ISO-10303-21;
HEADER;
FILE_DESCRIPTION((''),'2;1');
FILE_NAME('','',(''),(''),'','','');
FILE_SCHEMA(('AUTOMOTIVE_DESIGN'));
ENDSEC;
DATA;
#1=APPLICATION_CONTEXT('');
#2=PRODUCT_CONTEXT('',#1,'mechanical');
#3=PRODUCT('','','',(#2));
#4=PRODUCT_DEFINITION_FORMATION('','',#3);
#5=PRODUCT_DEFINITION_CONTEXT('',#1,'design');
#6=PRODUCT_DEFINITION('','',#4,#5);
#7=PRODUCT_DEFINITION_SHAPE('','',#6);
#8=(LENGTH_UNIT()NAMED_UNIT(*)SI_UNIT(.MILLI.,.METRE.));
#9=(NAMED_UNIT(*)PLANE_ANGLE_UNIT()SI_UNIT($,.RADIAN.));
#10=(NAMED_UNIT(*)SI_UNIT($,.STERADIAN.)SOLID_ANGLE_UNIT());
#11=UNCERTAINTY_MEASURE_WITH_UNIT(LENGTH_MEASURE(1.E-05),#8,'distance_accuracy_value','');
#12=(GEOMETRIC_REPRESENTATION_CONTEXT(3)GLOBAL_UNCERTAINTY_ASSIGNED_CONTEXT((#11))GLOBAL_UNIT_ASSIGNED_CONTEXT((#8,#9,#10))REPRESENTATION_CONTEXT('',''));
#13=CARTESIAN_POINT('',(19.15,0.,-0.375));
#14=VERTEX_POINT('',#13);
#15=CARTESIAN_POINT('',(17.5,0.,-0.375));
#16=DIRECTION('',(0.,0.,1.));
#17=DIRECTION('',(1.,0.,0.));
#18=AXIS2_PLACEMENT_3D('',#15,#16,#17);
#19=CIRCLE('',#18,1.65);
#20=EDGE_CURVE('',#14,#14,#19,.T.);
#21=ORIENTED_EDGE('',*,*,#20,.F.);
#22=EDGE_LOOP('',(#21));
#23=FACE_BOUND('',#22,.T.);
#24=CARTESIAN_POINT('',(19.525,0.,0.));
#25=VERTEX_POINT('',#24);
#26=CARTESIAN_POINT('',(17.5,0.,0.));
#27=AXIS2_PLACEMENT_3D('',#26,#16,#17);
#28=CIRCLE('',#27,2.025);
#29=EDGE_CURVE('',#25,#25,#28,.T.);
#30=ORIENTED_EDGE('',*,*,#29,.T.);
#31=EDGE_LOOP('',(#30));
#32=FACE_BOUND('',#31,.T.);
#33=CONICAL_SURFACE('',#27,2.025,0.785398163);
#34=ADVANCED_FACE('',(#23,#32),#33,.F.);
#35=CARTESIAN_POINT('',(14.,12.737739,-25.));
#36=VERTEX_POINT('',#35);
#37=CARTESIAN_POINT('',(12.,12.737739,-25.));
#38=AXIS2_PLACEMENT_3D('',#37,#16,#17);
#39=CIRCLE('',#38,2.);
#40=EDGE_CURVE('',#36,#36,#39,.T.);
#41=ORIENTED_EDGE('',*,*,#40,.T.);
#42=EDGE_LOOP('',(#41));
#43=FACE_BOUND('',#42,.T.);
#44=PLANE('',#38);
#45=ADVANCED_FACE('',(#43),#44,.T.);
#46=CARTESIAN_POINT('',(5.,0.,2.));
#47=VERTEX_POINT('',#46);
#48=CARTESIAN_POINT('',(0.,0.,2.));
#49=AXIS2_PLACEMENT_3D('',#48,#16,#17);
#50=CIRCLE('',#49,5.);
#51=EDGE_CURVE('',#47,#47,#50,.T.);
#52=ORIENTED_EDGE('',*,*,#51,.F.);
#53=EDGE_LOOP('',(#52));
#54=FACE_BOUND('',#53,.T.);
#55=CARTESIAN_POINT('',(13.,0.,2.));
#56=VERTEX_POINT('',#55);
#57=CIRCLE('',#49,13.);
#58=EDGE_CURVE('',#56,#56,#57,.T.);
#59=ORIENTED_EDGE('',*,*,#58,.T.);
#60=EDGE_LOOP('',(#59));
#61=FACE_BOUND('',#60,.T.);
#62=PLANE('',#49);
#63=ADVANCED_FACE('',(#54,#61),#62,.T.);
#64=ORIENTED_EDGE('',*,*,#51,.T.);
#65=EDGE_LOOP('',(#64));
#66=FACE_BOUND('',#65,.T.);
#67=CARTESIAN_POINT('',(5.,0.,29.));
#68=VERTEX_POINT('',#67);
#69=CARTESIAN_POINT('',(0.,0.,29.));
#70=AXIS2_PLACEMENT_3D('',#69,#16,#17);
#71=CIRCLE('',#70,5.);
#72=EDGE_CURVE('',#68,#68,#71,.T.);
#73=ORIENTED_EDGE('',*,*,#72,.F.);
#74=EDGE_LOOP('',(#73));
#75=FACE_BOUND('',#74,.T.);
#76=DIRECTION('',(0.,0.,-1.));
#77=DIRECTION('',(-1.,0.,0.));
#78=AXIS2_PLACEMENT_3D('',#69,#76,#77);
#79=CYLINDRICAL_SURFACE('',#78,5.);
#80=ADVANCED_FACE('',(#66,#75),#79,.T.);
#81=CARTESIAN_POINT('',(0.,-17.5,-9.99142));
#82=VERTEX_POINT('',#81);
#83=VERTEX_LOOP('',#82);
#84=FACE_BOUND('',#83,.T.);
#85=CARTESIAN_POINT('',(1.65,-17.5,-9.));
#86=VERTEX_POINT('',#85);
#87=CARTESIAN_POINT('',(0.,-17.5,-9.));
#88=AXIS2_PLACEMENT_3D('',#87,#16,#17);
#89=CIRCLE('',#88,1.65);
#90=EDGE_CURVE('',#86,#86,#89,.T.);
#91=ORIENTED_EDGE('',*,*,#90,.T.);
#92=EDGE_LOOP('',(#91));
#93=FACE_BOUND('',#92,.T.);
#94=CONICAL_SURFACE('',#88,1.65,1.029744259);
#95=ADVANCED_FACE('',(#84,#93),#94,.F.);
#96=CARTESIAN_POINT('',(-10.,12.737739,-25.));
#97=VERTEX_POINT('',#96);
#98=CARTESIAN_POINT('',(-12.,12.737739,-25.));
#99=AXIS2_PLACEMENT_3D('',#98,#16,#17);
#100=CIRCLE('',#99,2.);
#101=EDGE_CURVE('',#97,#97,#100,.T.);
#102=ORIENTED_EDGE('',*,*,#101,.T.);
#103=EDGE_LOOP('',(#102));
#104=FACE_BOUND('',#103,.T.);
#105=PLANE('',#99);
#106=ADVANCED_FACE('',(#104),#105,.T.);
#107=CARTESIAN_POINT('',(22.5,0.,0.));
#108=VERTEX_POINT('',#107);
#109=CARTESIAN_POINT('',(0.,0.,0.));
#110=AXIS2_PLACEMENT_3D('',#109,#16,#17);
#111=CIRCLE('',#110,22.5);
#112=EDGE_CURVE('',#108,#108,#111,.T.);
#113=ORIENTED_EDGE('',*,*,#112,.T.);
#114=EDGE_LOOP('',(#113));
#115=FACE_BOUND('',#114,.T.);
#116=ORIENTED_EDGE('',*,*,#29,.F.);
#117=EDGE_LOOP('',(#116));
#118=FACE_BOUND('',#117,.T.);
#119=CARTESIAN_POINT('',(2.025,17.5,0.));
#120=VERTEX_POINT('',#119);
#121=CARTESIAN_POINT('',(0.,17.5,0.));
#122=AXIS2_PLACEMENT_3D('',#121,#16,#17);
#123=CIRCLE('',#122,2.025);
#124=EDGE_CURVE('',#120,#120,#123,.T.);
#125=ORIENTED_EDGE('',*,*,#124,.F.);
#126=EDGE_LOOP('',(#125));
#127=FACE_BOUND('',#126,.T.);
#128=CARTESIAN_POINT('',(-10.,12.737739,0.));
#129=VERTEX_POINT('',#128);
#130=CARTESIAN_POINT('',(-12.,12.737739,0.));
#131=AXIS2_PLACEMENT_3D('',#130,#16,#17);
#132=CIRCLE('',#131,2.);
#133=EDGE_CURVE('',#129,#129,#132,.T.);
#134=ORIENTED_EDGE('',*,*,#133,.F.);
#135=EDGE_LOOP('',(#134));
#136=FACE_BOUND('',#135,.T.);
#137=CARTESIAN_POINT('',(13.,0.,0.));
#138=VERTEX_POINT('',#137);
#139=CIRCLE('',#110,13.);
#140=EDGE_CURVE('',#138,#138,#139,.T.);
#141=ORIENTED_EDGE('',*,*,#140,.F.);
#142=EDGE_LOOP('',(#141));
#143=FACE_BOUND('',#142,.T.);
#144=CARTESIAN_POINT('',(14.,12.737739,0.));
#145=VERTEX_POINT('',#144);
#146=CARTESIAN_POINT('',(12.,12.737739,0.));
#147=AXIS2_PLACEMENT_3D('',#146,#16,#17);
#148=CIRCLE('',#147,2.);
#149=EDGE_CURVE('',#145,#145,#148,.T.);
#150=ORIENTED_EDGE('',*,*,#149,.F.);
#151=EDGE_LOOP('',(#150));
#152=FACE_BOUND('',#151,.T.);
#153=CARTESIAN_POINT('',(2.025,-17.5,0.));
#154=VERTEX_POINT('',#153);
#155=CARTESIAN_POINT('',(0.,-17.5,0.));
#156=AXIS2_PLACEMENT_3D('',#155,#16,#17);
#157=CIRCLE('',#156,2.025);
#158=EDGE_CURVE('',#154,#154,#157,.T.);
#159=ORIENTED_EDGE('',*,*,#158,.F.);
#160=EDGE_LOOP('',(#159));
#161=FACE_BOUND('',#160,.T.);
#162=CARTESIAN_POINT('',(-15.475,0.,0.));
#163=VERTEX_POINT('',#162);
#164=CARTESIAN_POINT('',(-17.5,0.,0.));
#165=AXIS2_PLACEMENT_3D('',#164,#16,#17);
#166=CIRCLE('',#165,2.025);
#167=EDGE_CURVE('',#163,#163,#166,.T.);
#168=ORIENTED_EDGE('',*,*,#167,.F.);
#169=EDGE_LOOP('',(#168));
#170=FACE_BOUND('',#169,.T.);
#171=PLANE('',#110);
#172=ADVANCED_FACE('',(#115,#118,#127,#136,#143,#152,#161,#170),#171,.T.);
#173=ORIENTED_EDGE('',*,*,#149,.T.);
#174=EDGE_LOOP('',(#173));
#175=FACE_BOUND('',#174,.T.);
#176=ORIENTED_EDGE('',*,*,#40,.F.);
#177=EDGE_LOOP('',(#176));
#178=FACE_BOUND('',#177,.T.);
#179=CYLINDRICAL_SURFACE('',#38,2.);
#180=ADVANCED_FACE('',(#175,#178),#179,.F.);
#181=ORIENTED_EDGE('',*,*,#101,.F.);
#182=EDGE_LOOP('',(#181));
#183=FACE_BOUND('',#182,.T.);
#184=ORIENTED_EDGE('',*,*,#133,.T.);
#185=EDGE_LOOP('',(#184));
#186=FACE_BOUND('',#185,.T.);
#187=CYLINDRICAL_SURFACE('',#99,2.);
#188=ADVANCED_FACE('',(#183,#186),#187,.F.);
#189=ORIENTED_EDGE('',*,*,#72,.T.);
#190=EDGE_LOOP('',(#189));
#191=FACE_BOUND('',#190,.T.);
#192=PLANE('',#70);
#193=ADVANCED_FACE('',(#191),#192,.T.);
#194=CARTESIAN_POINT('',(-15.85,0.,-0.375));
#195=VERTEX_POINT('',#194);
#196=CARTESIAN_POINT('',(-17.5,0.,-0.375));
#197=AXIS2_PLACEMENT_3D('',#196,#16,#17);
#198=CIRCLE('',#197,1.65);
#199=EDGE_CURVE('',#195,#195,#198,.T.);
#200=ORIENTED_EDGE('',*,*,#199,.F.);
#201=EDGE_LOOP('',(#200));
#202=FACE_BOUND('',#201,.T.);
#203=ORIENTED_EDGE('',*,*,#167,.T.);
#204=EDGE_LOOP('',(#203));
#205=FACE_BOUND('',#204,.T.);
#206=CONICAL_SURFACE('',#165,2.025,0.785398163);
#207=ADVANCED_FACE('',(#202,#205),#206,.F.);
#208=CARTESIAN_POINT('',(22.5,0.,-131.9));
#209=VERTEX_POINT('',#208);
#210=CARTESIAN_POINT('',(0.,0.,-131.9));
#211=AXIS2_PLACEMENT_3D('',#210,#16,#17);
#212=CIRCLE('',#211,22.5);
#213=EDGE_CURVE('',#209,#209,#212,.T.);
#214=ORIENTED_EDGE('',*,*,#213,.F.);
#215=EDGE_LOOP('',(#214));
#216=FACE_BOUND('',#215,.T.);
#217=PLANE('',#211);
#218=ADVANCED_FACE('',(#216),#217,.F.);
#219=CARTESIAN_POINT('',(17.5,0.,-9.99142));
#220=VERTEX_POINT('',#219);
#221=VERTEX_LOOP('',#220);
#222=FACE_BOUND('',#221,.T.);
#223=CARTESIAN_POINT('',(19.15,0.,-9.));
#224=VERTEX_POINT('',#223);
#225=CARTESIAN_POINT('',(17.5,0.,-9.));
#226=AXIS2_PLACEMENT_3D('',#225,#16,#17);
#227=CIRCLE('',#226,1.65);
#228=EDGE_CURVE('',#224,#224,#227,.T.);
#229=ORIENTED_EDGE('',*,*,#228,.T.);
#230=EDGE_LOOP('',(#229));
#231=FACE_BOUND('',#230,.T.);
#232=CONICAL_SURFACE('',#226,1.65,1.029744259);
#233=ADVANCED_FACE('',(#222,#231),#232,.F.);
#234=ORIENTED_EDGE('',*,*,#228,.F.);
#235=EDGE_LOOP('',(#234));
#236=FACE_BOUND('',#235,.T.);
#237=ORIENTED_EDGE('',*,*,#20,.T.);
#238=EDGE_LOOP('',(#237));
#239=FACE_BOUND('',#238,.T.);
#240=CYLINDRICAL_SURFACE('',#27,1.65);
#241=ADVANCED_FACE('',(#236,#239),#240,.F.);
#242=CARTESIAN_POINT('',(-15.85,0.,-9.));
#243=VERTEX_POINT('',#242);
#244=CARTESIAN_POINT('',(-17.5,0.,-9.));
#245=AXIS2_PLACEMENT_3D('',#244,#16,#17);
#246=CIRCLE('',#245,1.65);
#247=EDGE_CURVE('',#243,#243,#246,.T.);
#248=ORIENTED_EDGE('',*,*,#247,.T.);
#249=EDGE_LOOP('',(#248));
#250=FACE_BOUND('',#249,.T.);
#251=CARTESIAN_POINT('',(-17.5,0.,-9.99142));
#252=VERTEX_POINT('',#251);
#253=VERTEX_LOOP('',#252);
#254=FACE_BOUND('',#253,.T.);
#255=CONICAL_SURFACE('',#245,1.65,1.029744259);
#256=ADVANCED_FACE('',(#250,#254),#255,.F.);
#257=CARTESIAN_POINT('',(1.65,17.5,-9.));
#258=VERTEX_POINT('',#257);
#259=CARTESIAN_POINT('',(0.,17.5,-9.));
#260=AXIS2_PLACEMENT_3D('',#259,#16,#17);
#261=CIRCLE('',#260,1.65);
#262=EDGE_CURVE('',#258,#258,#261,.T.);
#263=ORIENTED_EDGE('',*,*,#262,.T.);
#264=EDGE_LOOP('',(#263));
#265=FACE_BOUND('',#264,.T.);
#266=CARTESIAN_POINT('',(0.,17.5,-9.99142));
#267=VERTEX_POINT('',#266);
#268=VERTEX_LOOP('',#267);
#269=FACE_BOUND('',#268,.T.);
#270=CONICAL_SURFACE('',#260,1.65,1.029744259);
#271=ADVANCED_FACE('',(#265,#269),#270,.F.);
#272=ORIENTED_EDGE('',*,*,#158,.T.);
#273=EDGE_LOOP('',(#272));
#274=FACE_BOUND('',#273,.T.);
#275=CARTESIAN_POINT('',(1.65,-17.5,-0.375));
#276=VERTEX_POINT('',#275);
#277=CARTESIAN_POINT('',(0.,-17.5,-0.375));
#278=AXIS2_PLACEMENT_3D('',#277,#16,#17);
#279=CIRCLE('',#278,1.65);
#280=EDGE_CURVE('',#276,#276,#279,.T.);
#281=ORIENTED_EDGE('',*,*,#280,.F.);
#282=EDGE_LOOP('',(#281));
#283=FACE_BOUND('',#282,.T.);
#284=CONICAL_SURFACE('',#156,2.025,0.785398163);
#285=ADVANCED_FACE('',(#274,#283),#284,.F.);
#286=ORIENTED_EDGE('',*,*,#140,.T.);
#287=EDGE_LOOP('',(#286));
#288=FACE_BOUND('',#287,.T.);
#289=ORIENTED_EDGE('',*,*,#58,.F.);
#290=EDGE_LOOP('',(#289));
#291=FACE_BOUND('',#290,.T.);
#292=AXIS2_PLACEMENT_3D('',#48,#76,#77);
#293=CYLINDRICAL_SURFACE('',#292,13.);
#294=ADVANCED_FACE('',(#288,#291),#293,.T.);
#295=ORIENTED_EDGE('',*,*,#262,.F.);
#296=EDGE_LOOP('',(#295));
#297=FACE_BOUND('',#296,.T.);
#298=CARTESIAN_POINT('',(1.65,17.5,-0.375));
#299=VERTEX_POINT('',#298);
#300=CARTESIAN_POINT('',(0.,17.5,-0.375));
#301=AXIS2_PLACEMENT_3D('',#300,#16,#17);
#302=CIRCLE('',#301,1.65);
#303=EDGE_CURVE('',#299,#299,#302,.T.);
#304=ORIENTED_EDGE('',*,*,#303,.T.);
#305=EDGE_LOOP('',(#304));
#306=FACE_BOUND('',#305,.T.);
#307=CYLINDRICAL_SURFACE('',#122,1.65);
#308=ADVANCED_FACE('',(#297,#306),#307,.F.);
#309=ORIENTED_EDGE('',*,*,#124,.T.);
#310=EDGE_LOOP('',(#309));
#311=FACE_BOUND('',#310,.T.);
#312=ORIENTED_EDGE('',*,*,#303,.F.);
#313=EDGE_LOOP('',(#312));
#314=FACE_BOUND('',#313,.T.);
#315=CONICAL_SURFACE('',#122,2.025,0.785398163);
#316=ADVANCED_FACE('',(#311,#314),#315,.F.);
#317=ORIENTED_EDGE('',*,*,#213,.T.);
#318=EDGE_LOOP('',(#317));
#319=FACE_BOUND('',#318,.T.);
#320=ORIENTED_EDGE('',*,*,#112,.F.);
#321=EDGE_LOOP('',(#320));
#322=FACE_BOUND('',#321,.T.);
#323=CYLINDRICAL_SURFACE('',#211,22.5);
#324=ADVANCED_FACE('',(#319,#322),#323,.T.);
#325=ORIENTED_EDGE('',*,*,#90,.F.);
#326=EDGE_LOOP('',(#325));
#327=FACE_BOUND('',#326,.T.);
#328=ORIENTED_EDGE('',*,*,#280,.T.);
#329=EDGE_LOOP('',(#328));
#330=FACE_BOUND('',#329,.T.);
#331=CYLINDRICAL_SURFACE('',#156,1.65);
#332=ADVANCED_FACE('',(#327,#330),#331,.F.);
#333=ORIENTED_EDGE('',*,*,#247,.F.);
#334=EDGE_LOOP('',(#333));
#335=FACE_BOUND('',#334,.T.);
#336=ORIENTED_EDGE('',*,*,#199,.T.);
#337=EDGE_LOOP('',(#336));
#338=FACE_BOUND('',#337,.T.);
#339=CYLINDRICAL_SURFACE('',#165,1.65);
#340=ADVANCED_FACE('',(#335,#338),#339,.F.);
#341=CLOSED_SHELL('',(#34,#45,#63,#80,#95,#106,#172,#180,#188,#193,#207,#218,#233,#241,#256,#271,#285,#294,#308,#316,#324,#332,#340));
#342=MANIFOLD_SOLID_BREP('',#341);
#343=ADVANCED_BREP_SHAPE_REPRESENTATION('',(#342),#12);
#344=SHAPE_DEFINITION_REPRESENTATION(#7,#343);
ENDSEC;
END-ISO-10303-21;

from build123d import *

# Parameters (mm, degrees)
SKETCH1_R                   = 22.5
BOSS_EXTRUDE1_DEPTH         = 131.9
SKETCH2_R                   = 13
BOSS_EXTRUDE2_DEPTH         = 2
SKETCH3_R                   = 5
BOSS_EXTRUDE3_DEPTH         = 27
M4_TAPPED_HOLE1_D           = 3.3
M4_TAPPED_HOLE1_DEPTH       = 9
M4_TAPPED_HOLE1_CSINK_D     = 4.05
M4_TAPPED_HOLE1_CSINK_ANGLE = 90
M4_TAPPED_HOLE1_TIP         = 0.991420021
SKETCH7_R                   = 2
CUT_EXTRUDE1_DEPTH          = 25


with BuildPart() as part:
    # Sketch1 → Boss-Extrude1 (new body)
    with BuildSketch(Plane.XY):
        Circle(SKETCH1_R)
    extrude(amount=-BOSS_EXTRUDE1_DEPTH)

    # Sketch2 → Boss-Extrude2 (add)
    with BuildSketch(Plane.XY):
        Circle(SKETCH2_R)
    extrude(amount=BOSS_EXTRUDE2_DEPTH)

    # Sketch3 → Boss-Extrude3 (add)
    with BuildSketch(Plane.XY.offset(2)):
        Circle(SKETCH3_R)
    extrude(amount=BOSS_EXTRUDE3_DEPTH)

    # M4 Tapped Hole1
    with Locations(Plane.XY):
        with Locations((0, 17.5), (-17.5, 0), (0, -17.5), (17.5, 0)):
            CounterSinkHole(M4_TAPPED_HOLE1_D / 2, M4_TAPPED_HOLE1_CSINK_D / 2, depth=M4_TAPPED_HOLE1_DEPTH, counter_sink_angle=M4_TAPPED_HOLE1_CSINK_ANGLE)
            with Locations((0, 0, -(M4_TAPPED_HOLE1_DEPTH + M4_TAPPED_HOLE1_TIP / 2))):  # 118° drill point
                Cone(0, M4_TAPPED_HOLE1_D / 2, M4_TAPPED_HOLE1_TIP, mode=Mode.SUBTRACT)

    # Sketch7 → Cut-Extrude1 (cut)
    with BuildSketch(Plane.XY):
        with Locations((-12, 12.737739203)):
            Circle(SKETCH7_R)
        with Locations((12, 12.737739203)):
            Circle(SKETCH7_R)
    extrude(amount=-CUT_EXTRUDE1_DEPTH, mode=Mode.SUBTRACT)


solid = part.part
